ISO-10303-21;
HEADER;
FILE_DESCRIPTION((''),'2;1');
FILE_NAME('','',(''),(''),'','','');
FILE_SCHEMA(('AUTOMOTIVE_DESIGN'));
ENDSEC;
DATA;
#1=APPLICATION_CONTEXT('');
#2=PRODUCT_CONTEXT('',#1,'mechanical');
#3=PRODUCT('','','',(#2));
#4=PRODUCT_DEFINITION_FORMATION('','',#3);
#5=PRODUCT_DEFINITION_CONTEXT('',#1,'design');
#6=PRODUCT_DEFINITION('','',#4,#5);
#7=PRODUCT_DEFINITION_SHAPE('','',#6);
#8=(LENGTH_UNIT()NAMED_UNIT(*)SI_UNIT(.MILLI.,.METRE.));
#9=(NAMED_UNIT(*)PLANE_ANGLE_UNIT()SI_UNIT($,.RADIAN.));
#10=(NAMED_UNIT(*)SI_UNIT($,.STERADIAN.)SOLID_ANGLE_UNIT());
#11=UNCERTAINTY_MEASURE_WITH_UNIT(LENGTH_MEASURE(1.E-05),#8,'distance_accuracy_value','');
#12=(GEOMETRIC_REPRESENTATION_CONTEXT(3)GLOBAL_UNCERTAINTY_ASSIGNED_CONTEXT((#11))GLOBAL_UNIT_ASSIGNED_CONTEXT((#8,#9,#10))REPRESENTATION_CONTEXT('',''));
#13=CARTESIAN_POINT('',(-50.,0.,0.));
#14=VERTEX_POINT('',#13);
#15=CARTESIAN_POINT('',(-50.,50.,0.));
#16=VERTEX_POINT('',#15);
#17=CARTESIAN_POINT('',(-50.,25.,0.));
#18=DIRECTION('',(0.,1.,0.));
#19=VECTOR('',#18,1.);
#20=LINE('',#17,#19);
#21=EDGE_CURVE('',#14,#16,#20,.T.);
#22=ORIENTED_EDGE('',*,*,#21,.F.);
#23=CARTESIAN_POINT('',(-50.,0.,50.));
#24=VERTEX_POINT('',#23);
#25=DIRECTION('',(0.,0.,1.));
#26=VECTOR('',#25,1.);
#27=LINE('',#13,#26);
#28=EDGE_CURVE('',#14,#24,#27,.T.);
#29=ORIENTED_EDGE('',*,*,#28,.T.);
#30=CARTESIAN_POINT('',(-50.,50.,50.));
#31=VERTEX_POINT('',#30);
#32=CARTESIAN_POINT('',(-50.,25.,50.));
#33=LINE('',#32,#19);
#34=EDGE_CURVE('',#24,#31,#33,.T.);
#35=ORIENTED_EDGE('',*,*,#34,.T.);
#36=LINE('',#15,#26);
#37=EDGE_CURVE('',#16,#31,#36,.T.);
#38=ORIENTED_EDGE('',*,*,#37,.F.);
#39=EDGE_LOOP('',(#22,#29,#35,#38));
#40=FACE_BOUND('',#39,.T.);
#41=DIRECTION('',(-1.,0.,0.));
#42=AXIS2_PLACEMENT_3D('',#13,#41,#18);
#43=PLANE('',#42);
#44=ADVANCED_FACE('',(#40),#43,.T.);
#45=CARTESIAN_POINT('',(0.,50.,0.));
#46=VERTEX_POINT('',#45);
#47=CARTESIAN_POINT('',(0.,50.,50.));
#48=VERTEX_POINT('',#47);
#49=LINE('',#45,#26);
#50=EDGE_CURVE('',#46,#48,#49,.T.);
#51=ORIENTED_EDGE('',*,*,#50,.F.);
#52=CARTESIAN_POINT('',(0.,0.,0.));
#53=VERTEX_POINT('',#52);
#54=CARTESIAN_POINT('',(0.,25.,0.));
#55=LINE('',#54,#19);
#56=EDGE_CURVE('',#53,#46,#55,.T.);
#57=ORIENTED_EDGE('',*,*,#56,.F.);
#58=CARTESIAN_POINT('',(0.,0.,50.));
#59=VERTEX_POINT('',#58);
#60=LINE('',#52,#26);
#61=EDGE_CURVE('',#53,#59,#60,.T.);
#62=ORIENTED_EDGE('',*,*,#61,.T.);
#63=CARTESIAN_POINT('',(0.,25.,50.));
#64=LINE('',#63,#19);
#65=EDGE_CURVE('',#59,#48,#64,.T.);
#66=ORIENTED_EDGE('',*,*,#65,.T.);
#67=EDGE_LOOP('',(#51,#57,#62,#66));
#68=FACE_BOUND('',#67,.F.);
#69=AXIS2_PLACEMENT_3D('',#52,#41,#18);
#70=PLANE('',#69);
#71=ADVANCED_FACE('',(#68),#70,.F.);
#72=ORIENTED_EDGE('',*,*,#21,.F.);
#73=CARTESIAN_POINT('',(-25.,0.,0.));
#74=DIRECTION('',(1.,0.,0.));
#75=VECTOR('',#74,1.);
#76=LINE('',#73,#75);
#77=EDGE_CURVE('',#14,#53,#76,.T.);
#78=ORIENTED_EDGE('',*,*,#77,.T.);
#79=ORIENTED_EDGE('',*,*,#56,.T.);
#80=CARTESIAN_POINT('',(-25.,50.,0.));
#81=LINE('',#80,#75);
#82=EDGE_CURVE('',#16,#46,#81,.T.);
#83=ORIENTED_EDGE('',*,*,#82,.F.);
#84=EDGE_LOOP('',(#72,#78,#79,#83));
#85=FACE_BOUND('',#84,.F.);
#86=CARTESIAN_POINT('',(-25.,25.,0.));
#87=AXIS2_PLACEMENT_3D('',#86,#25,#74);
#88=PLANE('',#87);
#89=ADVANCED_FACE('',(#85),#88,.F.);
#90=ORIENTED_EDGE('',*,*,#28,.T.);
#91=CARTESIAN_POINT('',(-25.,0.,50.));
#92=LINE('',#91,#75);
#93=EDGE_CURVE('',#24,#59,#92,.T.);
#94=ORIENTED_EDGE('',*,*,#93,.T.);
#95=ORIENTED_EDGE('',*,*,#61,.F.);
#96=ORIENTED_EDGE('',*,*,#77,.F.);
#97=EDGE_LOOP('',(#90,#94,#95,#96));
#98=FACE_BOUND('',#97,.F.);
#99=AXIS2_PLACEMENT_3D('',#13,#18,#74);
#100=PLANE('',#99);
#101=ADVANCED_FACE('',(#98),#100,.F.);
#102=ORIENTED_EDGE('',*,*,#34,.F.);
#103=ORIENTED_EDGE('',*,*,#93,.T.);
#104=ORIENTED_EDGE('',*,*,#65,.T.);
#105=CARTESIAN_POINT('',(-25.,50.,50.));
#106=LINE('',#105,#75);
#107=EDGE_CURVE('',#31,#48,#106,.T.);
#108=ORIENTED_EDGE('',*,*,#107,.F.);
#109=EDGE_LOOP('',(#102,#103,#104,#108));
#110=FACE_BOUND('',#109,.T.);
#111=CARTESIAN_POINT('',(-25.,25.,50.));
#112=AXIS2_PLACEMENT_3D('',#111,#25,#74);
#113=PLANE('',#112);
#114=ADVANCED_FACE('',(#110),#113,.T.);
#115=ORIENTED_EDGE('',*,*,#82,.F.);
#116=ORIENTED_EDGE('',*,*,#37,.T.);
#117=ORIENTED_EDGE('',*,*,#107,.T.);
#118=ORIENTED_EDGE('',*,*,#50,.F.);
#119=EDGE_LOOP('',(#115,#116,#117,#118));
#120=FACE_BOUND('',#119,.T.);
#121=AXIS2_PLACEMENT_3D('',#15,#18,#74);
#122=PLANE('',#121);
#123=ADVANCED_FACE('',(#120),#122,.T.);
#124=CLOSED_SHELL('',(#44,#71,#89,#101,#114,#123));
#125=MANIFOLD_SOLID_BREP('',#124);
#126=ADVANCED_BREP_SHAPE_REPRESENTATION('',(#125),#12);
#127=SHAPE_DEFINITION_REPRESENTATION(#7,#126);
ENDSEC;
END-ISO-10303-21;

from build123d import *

# Parameters (mm, degrees)
SKETCH1_W           = 50
SKETCH1_H           = 50
BOSS_EXTRUDE1_DEPTH = 50


with BuildPart() as part:
    # Sketch1 → Boss-Extrude1 (new body)
    with BuildSketch(Plane.XY):
        with Locations((-25, 25)):
            Rectangle(SKETCH1_W, SKETCH1_H)
    extrude(amount=BOSS_EXTRUDE1_DEPTH)


solid = part.part
